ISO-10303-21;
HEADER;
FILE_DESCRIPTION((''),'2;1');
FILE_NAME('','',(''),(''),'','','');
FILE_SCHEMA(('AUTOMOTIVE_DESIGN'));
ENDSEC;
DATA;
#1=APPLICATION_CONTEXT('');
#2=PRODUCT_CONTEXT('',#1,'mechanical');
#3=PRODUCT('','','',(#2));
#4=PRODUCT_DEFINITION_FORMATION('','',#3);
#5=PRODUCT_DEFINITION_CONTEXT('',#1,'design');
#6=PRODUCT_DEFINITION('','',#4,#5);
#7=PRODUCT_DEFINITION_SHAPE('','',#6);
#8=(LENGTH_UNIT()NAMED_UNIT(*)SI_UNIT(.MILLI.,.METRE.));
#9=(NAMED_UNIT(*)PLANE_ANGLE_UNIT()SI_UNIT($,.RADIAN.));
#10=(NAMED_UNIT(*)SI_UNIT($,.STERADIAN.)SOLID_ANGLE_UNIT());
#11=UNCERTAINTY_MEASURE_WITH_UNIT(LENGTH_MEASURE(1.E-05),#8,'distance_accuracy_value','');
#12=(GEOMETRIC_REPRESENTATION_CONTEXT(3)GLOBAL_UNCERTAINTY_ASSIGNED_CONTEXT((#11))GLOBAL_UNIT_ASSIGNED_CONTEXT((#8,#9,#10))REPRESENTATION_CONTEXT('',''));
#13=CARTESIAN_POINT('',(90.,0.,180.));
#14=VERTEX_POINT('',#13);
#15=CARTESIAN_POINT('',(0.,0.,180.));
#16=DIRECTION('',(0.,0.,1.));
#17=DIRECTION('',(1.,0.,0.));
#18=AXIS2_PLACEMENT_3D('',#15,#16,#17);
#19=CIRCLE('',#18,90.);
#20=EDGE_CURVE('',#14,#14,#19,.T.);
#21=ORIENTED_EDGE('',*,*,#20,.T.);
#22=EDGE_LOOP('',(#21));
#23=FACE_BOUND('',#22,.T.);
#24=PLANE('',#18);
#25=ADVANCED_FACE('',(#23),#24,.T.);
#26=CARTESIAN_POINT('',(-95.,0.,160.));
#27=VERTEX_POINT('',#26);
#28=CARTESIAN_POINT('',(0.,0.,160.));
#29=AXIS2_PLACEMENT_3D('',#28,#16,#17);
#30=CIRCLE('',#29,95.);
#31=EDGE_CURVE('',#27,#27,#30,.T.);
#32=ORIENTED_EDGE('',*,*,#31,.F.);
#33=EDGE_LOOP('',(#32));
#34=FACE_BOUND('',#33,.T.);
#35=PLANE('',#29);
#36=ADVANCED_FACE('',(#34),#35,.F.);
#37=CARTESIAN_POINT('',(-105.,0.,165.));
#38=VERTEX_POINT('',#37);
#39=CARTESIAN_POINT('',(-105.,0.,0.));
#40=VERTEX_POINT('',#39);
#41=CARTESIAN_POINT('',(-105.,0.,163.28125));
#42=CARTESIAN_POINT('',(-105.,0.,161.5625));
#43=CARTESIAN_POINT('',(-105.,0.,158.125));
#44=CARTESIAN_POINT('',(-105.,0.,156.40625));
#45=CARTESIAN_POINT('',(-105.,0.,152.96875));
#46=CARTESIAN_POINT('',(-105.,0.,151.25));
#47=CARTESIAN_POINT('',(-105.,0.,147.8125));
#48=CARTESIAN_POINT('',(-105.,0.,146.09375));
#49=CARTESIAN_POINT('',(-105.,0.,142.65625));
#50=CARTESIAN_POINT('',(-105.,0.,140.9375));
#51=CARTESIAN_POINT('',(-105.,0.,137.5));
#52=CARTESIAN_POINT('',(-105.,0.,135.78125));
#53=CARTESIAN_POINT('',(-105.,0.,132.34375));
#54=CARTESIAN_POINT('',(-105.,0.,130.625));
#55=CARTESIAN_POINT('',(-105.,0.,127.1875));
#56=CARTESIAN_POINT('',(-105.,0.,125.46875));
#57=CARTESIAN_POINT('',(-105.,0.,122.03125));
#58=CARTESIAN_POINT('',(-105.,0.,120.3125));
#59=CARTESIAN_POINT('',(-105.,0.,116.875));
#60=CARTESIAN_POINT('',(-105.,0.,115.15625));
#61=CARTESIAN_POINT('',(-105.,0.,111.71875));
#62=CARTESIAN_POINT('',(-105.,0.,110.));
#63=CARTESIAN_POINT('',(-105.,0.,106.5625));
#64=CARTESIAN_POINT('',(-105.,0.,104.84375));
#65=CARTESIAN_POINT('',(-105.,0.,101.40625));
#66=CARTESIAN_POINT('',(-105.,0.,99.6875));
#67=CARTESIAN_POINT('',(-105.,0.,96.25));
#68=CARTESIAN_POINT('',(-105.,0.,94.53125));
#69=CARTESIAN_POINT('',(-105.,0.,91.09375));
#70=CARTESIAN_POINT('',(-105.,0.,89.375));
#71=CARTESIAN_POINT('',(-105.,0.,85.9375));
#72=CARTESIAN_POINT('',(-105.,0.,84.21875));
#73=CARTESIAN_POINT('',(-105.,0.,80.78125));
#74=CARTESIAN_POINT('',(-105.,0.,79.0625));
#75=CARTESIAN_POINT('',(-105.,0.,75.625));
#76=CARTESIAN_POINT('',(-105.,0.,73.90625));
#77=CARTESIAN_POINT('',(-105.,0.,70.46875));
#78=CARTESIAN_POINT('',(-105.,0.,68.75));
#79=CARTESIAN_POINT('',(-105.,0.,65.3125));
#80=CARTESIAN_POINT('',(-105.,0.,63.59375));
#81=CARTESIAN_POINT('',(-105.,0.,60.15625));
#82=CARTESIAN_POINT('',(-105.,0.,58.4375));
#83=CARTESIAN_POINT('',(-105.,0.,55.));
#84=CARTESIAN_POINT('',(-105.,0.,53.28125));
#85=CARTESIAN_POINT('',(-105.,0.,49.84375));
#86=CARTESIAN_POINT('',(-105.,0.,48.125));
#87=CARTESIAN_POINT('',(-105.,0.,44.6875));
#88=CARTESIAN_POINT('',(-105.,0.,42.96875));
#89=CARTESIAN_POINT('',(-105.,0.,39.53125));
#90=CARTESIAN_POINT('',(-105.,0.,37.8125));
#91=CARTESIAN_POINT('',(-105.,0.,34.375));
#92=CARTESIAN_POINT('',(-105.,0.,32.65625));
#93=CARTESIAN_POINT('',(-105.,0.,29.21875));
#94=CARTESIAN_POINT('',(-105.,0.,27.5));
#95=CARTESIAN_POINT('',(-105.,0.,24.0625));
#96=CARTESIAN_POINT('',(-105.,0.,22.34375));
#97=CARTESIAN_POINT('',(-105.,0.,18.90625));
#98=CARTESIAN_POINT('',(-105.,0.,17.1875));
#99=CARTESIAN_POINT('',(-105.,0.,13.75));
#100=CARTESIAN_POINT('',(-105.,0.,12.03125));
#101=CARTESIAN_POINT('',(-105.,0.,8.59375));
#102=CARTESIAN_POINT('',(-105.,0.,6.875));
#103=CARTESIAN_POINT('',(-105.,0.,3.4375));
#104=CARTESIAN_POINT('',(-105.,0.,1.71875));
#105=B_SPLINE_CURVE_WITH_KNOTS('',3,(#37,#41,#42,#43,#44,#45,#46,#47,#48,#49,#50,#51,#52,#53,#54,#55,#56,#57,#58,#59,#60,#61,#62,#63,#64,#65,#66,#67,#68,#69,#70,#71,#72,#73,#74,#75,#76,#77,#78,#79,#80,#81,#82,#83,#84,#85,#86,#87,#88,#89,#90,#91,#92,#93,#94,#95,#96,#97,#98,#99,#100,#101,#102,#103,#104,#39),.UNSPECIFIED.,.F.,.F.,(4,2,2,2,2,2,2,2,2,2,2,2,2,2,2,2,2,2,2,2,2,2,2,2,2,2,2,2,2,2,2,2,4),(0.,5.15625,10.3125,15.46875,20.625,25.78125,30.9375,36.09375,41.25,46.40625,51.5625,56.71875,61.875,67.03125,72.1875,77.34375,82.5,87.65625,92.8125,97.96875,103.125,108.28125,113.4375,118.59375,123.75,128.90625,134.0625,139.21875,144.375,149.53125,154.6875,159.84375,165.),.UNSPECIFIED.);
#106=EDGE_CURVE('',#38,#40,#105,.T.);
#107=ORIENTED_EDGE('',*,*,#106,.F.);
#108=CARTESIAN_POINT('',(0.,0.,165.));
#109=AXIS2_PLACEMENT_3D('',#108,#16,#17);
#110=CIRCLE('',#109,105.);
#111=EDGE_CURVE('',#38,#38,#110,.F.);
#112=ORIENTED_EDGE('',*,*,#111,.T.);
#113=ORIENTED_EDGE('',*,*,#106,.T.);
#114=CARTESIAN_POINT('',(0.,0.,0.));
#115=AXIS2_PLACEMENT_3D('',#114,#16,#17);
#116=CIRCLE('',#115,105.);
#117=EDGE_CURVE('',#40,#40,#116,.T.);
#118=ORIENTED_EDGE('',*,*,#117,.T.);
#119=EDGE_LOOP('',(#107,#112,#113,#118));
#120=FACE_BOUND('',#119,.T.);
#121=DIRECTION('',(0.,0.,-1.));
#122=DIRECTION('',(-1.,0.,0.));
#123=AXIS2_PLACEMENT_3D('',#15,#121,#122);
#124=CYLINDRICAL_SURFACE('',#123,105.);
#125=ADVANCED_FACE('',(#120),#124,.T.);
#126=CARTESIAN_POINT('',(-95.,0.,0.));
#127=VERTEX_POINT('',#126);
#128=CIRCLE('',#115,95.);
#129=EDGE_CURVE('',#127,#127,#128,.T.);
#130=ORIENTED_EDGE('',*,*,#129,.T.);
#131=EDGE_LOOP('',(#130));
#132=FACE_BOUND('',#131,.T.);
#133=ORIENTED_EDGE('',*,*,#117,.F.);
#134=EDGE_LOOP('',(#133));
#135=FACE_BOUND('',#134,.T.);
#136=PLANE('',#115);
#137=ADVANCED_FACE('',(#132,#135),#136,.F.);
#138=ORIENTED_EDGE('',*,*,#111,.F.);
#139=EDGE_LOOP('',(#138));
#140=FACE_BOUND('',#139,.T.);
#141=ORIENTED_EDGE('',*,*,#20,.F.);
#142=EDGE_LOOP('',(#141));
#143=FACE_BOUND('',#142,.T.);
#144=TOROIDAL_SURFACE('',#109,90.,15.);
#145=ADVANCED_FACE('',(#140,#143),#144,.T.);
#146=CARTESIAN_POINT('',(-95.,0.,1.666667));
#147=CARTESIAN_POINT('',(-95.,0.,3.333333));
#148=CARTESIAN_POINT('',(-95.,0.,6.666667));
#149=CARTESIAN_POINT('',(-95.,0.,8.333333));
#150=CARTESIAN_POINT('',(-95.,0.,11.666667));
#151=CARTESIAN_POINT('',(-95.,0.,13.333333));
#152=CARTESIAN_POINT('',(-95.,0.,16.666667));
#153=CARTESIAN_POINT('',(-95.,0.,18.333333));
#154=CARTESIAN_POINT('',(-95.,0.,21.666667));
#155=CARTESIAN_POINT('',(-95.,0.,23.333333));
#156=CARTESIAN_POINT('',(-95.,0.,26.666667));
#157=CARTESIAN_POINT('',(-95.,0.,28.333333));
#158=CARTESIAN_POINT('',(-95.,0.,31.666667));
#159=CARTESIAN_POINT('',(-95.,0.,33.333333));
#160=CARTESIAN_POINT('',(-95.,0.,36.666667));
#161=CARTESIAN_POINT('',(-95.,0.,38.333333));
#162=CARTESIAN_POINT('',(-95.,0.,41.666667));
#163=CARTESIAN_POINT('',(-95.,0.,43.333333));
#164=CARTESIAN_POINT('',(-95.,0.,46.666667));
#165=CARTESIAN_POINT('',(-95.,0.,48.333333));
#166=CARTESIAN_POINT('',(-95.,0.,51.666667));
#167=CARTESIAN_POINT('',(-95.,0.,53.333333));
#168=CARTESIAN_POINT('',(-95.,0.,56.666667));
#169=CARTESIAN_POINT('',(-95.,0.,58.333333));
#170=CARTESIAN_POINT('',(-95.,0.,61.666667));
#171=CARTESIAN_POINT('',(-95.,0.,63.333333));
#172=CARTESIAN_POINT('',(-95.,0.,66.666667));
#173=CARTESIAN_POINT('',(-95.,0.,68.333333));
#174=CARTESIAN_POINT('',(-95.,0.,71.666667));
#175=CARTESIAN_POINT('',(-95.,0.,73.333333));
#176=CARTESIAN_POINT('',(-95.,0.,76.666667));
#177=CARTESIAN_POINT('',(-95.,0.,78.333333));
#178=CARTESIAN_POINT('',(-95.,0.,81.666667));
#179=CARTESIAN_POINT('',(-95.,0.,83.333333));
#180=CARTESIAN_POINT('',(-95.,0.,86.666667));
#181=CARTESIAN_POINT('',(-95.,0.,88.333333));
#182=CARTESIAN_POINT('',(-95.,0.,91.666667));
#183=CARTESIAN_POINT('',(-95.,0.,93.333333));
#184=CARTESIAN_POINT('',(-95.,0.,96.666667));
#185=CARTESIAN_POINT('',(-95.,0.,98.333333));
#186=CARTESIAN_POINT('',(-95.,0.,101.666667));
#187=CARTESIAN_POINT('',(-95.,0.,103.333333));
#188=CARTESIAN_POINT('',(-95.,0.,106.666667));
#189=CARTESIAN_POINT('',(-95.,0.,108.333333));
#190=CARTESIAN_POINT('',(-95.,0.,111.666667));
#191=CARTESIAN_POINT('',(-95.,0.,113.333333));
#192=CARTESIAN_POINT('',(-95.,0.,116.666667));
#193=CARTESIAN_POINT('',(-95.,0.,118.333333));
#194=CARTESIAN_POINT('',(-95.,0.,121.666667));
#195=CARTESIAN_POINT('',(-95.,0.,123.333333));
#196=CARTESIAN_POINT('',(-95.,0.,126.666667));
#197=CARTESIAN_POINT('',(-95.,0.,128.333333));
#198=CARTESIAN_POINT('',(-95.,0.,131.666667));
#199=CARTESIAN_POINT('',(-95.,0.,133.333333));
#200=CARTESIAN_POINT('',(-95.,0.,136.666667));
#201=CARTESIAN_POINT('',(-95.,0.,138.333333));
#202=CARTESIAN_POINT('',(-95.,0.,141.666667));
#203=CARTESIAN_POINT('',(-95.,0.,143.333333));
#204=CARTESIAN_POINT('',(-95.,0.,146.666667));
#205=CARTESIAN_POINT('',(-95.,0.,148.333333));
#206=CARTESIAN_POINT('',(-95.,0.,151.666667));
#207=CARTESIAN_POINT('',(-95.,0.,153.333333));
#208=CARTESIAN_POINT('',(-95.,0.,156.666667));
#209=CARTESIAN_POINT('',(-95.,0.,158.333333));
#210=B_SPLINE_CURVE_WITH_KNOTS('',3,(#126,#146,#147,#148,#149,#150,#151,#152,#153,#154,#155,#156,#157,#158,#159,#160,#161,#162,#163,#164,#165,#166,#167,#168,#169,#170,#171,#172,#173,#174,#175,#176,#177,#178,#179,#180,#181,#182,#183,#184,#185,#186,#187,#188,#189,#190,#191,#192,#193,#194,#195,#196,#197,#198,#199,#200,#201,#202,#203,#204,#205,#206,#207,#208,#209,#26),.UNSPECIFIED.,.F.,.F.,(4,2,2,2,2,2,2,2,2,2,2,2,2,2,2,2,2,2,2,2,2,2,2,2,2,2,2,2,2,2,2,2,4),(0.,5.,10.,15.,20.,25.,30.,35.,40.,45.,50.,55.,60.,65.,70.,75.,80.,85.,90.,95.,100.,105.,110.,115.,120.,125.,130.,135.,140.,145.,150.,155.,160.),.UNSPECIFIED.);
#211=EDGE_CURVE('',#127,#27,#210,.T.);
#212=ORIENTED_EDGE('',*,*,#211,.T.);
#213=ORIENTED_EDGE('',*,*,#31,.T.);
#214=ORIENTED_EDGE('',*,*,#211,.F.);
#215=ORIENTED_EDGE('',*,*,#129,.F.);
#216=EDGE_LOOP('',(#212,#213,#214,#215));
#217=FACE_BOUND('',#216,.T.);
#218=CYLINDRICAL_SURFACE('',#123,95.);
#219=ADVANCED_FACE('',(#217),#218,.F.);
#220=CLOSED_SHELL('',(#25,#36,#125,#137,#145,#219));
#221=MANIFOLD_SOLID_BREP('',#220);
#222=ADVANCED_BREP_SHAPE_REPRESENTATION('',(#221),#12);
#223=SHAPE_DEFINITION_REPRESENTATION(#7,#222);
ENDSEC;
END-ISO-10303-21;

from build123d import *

# Parameters (mm, degrees)
CROQUIS1_R              = 105
CROQUIS1_R_2            = 95
SALIENTE_EXTRUIR1_DEPTH = 180
CROQUIS2_R              = 101.5
SALIENTE_EXTRUIR2_DEPTH = 20
REDONDEO1_R             = 15


with BuildPart() as part:
    # Croquis1 → Saliente-Extruir1 (new body)
    with BuildSketch(Plane.XY):
        with Locations(Location((0, 0, 0), (0, 0, 180))):
            Circle(CROQUIS1_R)
        with Locations(Location((0, 0, 0), (0, 0, 180))):
            Circle(CROQUIS1_R_2, mode=Mode.SUBTRACT)
    extrude(amount=SALIENTE_EXTRUIR1_DEPTH)

    # Croquis2 → Saliente-Extruir2 (add)
    with BuildSketch(Plane.XY.offset(180)):
        Circle(CROQUIS2_R)
    extrude(amount=-SALIENTE_EXTRUIR2_DEPTH)

    # Redondeo1
    redondeo1_edges = [part.edges().sort_by_distance(p)[0] for p in [
        (105, 0, 180),
    ]]
    fillet(redondeo1_edges, radius=REDONDEO1_R)


solid = part.part
